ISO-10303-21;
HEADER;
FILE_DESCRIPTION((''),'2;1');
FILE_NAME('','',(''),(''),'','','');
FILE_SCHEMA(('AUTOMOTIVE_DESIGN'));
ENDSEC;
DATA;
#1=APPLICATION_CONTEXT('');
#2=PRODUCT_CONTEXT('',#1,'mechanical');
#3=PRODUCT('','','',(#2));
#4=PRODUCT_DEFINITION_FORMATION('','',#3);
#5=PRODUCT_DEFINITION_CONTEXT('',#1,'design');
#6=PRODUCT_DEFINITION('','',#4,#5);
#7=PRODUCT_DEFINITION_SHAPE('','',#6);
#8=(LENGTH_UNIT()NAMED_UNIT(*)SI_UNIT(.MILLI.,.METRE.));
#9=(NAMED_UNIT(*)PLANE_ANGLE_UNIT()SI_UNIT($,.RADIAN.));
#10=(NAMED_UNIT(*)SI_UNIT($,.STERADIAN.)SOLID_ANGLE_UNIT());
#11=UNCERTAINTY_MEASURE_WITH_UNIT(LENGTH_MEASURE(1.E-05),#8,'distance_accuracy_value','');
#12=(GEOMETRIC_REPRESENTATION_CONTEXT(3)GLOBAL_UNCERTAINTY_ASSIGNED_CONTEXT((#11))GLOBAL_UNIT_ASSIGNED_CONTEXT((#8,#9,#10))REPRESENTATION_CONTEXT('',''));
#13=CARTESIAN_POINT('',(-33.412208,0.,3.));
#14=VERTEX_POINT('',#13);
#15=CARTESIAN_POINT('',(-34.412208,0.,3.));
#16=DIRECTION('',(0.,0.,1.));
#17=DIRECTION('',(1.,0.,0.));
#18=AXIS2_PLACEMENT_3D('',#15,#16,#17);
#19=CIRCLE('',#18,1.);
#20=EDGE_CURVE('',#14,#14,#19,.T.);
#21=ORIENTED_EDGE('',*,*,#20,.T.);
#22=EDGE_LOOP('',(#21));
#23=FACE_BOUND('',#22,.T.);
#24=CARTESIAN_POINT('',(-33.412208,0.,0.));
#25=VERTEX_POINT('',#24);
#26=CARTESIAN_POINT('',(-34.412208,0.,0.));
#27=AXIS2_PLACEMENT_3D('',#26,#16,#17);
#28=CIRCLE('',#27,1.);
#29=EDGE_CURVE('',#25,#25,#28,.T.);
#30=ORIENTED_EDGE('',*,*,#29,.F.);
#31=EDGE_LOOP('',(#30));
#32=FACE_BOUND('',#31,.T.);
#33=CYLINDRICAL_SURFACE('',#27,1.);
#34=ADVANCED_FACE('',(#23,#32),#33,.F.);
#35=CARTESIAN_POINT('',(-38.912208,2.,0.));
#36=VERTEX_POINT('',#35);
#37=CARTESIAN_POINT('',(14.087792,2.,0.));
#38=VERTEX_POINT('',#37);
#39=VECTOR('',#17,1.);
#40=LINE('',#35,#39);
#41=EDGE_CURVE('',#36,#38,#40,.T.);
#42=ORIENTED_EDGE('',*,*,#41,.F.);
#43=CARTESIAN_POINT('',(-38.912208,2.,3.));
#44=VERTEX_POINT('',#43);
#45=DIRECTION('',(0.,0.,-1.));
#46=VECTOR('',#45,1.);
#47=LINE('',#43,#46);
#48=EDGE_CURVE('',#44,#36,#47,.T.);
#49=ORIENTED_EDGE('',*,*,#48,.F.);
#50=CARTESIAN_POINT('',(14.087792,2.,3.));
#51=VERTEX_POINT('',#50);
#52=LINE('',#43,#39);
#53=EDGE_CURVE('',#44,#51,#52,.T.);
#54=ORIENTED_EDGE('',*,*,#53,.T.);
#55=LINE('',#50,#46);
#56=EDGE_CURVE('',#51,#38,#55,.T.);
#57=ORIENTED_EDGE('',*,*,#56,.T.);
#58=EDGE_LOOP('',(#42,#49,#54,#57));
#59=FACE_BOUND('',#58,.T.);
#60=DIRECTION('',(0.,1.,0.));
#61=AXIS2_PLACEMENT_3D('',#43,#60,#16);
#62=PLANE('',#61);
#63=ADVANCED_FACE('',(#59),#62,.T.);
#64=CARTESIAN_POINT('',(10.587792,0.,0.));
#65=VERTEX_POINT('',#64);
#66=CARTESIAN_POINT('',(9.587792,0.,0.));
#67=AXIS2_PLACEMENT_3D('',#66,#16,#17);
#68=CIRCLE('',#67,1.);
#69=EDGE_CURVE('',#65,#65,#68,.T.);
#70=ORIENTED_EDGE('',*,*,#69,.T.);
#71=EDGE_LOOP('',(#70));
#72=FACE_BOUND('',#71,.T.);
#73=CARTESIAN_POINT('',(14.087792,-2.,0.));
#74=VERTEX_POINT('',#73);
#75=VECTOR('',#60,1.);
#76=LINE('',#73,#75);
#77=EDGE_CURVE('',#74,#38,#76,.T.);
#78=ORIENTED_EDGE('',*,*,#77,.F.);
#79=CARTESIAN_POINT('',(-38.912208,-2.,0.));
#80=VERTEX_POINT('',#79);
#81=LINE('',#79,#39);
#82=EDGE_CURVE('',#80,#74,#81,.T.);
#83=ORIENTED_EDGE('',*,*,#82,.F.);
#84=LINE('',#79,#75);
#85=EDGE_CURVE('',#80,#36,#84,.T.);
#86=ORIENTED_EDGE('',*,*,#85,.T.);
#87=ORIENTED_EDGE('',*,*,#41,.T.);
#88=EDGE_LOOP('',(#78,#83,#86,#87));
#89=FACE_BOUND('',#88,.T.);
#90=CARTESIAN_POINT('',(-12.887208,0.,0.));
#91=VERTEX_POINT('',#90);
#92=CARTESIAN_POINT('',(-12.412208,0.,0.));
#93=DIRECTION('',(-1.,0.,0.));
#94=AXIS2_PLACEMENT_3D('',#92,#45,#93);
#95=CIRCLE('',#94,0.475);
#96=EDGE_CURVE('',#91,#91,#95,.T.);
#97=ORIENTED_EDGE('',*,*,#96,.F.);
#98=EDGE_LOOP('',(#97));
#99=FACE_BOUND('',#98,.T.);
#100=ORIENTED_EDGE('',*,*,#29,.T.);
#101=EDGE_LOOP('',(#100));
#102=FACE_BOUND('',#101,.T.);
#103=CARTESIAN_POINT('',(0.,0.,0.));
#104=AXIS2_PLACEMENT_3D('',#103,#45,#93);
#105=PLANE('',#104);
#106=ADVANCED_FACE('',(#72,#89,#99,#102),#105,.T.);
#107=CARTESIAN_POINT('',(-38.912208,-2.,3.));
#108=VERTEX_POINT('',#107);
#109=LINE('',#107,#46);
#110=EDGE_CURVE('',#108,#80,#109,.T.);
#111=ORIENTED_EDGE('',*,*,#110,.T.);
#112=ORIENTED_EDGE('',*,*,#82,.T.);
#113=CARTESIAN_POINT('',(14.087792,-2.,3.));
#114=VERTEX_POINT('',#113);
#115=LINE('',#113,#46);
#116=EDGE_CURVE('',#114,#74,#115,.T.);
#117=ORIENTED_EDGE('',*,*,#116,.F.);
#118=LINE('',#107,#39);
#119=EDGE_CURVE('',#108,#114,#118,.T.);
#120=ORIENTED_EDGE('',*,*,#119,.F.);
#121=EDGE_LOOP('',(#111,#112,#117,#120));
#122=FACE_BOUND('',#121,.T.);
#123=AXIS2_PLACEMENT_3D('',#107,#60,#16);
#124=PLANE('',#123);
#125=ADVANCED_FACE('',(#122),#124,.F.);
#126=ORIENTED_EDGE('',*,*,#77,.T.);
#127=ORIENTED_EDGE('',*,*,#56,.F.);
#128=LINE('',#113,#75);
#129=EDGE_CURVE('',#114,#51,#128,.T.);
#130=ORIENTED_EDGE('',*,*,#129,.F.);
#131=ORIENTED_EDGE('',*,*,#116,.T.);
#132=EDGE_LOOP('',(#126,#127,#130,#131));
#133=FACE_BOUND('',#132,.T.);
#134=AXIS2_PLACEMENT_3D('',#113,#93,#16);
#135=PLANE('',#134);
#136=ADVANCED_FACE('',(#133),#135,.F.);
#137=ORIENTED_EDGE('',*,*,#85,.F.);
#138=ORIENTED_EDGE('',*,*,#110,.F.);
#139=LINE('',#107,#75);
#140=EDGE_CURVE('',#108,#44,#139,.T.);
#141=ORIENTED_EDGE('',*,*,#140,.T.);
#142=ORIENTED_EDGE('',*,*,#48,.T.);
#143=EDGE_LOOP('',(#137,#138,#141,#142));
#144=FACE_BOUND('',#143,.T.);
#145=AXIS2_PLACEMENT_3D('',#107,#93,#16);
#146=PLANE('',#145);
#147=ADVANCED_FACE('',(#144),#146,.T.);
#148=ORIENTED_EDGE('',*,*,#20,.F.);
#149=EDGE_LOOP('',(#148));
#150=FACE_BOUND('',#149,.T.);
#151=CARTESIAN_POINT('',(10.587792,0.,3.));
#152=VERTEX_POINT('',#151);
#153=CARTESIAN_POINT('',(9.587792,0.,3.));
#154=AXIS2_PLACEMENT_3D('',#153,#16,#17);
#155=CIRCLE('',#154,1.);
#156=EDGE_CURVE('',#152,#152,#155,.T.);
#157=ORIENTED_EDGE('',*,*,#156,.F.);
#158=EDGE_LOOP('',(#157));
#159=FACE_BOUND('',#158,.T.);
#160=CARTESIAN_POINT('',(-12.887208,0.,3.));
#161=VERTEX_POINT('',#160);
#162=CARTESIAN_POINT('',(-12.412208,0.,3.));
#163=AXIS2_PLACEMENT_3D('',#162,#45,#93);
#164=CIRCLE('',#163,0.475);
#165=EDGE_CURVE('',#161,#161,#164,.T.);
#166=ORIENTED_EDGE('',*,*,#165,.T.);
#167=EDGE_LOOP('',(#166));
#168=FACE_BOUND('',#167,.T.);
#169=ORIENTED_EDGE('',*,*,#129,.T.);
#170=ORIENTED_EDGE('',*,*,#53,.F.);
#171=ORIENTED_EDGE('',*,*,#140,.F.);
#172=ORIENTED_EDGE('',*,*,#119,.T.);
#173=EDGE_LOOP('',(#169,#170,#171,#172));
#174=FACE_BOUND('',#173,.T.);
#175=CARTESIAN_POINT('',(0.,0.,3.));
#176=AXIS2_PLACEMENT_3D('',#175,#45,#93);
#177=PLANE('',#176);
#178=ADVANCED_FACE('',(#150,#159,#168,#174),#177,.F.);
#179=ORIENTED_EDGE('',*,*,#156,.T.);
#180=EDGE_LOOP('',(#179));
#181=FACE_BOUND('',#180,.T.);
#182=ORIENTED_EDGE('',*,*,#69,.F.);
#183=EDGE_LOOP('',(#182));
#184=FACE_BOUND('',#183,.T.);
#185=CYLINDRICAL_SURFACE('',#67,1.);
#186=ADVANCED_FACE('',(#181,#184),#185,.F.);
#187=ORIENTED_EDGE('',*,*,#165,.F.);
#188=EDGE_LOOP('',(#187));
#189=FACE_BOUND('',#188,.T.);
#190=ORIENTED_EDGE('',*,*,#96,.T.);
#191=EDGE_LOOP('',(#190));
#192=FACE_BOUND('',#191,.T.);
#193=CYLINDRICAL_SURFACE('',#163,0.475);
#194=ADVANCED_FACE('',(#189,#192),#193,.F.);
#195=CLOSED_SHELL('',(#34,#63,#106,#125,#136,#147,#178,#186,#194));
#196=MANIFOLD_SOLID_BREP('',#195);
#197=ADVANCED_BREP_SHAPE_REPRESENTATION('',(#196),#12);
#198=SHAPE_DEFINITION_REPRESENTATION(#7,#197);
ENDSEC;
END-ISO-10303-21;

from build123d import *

# Parameters (mm, degrees)
SKETCH1_W           = 53
SKETCH1_H           = 4
BOSS_EXTRUDE2_DEPTH = 3
SKETCH3_R           = 1
CUT_EXTRUDE2_DEPTH  = 3
SKETCH4_R           = 0.475
CUT_EXTRUDE3_DEPTH  = 3


with BuildPart() as part:
    # Sketch1 → Boss-Extrude2 (new body)
    with BuildSketch(Plane.XY):
        with Locations((-12.412207578, 0)):
            Rectangle(SKETCH1_W, SKETCH1_H)
    extrude(amount=BOSS_EXTRUDE2_DEPTH)

    # Sketch3 → Cut-Extrude2 (cut)
    with BuildSketch(Plane.XY.offset(3)):
        with Locations((-34.412207578, 0)):
            Circle(SKETCH3_R)
        with Locations((9.587792422, 0)):
            Circle(SKETCH3_R)
    extrude(amount=-CUT_EXTRUDE2_DEPTH, mode=Mode.SUBTRACT)

    # Sketch4 → Cut-Extrude3 (cut)
    with BuildSketch(Plane(origin=(0, 0, 0), x_dir=(-1, 0, 0), z_dir=(0, 0, -1))):
        with Locations((12.412207578, 0)):
            Circle(SKETCH4_R)
    extrude(amount=-CUT_EXTRUDE3_DEPTH, mode=Mode.SUBTRACT)


solid = part.part
